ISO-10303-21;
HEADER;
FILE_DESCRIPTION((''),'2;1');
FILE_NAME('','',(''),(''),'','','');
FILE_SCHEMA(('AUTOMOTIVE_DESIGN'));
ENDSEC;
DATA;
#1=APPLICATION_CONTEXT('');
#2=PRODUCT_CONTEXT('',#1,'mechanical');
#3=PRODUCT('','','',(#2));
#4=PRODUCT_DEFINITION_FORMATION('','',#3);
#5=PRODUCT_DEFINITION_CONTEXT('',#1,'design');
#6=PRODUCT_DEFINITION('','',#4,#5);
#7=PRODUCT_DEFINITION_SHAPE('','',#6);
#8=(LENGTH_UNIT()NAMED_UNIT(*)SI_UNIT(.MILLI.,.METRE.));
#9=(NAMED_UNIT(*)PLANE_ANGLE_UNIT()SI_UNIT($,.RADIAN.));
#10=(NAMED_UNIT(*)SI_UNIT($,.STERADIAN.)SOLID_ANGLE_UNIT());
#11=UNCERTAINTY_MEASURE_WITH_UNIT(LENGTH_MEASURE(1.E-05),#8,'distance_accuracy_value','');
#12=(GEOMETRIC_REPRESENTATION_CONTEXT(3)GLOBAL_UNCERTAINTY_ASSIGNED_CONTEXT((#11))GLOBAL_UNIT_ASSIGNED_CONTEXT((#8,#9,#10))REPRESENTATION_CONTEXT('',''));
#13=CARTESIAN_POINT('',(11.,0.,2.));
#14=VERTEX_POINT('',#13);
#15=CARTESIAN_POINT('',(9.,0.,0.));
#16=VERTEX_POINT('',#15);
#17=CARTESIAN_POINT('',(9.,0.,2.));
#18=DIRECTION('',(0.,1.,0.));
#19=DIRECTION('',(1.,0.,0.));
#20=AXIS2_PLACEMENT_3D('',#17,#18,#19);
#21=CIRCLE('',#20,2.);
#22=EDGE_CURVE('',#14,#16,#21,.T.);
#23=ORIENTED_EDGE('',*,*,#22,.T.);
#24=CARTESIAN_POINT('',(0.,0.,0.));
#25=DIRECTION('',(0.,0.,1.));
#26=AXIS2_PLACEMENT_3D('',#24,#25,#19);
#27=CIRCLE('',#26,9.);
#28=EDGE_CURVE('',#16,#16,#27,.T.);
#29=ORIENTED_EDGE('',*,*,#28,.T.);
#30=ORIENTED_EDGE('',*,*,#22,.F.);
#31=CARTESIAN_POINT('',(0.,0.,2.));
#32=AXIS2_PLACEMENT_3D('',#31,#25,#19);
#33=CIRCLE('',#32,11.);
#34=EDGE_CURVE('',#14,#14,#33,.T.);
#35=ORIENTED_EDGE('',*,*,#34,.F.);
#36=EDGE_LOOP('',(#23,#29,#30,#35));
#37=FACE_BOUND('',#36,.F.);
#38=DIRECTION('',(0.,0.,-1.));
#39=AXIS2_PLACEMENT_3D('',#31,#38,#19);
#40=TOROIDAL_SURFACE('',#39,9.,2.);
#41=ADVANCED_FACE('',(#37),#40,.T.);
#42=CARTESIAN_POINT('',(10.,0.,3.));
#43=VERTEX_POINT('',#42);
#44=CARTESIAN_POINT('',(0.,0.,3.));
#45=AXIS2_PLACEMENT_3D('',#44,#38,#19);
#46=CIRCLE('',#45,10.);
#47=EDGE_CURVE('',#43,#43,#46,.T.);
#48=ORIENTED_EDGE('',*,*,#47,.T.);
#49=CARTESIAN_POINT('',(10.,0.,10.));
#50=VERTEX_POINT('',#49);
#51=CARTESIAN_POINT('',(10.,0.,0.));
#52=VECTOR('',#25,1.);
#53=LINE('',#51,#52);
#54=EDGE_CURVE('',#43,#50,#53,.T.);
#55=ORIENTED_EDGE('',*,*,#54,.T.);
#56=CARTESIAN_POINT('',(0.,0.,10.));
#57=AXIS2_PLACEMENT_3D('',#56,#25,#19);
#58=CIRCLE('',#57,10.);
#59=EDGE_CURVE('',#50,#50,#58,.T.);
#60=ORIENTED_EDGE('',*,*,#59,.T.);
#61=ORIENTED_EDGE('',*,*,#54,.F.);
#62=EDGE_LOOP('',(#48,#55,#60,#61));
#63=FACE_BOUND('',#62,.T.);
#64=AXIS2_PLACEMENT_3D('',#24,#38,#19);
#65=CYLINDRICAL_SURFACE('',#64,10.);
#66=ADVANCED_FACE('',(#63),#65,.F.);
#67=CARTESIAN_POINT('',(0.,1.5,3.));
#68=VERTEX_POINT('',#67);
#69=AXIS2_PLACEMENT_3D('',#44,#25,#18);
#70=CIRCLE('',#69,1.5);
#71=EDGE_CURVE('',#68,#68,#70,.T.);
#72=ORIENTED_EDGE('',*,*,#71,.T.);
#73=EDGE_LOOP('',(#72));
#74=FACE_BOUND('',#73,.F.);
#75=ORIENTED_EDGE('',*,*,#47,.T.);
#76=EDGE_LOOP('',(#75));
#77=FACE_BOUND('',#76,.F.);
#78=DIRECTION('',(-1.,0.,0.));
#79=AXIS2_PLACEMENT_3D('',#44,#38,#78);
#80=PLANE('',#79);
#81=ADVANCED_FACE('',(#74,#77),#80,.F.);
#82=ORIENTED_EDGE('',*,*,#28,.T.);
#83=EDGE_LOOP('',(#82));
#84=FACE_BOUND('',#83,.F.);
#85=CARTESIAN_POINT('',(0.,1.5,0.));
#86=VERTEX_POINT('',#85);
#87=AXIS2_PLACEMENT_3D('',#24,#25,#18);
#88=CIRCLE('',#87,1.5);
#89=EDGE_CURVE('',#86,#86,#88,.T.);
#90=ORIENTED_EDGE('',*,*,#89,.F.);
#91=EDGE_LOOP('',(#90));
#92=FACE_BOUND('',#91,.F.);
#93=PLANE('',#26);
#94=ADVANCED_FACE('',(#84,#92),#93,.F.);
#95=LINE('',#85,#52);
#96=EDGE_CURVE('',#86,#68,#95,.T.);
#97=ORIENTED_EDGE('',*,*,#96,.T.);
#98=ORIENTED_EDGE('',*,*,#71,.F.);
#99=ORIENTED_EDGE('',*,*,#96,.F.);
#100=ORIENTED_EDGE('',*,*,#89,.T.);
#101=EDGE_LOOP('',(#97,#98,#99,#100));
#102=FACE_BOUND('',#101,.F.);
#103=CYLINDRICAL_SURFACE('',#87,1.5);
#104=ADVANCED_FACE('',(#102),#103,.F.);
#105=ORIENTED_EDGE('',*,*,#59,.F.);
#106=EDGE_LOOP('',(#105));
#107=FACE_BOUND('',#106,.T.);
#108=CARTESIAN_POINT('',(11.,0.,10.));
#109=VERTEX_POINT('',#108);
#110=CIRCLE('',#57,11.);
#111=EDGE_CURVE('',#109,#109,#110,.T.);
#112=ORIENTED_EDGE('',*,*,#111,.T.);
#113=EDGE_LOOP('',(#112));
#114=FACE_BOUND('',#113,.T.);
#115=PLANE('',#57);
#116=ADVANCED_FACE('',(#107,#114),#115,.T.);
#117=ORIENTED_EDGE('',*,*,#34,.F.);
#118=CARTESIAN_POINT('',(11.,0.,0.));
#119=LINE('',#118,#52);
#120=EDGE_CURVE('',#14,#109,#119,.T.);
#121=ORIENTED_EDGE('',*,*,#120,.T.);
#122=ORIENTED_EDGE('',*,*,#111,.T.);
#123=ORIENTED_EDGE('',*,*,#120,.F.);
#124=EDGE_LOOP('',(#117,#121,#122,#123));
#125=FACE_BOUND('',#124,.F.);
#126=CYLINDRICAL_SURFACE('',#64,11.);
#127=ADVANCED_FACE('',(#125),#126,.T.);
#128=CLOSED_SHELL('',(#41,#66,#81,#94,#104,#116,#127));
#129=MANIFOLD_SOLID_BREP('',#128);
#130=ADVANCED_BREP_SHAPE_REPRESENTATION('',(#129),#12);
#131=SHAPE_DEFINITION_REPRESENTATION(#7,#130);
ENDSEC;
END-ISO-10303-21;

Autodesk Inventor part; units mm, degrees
ref_plane "YZ Plane" through (0, 0, 0) normal (1, 0, 0) x (0, 1, 0)
ref_plane "XZ Plane" through (0, 0, 0) normal (0, 1, 0) x (-1, 0, 0)
ref_plane "XY Plane" through (0, 0, 0) normal (0, 0, 1) x (1, 0, 0)
sketch "Sketch1" plane through (0, 0, 0) normal (0, 0, 1) x (1, 0, 0)
  circle A0 centre (0, 0) radius 10
  circle A1 centre (0, 0) radius 11
  dimension "d0" = 22
  dimension "d4" = 20
extrude "Extrusion1" add sketch "Sketch1" along normal blind 10
sketch "Sketch2" plane through (0, 0, 0) normal (0, 0, -1) x (-1, 0, 0)
  circle A0 centre (0, 0) radius 10 projected
extrude "Extrusion2" add sketch "Sketch2" against normal blind 3
sketch "Sketch3" plane through (0, 0, 0) normal (0, 0, -1) x (-1, 0, 0)
  point P0 (0, 0)
  point P1 (0, 0)
hole "Hole1" at (0, 0, 0) direction (0, 0, 1) diameter 3 end through all
thread "Thread1" size "M3x0.5" class "6H" standard "ANSI Metric M Profile" full length
fillet "Fillet1" radius 2 1 edges at (-11, 0, 0)
properties part number "Cathode Screen" material "Stainless Steel"
